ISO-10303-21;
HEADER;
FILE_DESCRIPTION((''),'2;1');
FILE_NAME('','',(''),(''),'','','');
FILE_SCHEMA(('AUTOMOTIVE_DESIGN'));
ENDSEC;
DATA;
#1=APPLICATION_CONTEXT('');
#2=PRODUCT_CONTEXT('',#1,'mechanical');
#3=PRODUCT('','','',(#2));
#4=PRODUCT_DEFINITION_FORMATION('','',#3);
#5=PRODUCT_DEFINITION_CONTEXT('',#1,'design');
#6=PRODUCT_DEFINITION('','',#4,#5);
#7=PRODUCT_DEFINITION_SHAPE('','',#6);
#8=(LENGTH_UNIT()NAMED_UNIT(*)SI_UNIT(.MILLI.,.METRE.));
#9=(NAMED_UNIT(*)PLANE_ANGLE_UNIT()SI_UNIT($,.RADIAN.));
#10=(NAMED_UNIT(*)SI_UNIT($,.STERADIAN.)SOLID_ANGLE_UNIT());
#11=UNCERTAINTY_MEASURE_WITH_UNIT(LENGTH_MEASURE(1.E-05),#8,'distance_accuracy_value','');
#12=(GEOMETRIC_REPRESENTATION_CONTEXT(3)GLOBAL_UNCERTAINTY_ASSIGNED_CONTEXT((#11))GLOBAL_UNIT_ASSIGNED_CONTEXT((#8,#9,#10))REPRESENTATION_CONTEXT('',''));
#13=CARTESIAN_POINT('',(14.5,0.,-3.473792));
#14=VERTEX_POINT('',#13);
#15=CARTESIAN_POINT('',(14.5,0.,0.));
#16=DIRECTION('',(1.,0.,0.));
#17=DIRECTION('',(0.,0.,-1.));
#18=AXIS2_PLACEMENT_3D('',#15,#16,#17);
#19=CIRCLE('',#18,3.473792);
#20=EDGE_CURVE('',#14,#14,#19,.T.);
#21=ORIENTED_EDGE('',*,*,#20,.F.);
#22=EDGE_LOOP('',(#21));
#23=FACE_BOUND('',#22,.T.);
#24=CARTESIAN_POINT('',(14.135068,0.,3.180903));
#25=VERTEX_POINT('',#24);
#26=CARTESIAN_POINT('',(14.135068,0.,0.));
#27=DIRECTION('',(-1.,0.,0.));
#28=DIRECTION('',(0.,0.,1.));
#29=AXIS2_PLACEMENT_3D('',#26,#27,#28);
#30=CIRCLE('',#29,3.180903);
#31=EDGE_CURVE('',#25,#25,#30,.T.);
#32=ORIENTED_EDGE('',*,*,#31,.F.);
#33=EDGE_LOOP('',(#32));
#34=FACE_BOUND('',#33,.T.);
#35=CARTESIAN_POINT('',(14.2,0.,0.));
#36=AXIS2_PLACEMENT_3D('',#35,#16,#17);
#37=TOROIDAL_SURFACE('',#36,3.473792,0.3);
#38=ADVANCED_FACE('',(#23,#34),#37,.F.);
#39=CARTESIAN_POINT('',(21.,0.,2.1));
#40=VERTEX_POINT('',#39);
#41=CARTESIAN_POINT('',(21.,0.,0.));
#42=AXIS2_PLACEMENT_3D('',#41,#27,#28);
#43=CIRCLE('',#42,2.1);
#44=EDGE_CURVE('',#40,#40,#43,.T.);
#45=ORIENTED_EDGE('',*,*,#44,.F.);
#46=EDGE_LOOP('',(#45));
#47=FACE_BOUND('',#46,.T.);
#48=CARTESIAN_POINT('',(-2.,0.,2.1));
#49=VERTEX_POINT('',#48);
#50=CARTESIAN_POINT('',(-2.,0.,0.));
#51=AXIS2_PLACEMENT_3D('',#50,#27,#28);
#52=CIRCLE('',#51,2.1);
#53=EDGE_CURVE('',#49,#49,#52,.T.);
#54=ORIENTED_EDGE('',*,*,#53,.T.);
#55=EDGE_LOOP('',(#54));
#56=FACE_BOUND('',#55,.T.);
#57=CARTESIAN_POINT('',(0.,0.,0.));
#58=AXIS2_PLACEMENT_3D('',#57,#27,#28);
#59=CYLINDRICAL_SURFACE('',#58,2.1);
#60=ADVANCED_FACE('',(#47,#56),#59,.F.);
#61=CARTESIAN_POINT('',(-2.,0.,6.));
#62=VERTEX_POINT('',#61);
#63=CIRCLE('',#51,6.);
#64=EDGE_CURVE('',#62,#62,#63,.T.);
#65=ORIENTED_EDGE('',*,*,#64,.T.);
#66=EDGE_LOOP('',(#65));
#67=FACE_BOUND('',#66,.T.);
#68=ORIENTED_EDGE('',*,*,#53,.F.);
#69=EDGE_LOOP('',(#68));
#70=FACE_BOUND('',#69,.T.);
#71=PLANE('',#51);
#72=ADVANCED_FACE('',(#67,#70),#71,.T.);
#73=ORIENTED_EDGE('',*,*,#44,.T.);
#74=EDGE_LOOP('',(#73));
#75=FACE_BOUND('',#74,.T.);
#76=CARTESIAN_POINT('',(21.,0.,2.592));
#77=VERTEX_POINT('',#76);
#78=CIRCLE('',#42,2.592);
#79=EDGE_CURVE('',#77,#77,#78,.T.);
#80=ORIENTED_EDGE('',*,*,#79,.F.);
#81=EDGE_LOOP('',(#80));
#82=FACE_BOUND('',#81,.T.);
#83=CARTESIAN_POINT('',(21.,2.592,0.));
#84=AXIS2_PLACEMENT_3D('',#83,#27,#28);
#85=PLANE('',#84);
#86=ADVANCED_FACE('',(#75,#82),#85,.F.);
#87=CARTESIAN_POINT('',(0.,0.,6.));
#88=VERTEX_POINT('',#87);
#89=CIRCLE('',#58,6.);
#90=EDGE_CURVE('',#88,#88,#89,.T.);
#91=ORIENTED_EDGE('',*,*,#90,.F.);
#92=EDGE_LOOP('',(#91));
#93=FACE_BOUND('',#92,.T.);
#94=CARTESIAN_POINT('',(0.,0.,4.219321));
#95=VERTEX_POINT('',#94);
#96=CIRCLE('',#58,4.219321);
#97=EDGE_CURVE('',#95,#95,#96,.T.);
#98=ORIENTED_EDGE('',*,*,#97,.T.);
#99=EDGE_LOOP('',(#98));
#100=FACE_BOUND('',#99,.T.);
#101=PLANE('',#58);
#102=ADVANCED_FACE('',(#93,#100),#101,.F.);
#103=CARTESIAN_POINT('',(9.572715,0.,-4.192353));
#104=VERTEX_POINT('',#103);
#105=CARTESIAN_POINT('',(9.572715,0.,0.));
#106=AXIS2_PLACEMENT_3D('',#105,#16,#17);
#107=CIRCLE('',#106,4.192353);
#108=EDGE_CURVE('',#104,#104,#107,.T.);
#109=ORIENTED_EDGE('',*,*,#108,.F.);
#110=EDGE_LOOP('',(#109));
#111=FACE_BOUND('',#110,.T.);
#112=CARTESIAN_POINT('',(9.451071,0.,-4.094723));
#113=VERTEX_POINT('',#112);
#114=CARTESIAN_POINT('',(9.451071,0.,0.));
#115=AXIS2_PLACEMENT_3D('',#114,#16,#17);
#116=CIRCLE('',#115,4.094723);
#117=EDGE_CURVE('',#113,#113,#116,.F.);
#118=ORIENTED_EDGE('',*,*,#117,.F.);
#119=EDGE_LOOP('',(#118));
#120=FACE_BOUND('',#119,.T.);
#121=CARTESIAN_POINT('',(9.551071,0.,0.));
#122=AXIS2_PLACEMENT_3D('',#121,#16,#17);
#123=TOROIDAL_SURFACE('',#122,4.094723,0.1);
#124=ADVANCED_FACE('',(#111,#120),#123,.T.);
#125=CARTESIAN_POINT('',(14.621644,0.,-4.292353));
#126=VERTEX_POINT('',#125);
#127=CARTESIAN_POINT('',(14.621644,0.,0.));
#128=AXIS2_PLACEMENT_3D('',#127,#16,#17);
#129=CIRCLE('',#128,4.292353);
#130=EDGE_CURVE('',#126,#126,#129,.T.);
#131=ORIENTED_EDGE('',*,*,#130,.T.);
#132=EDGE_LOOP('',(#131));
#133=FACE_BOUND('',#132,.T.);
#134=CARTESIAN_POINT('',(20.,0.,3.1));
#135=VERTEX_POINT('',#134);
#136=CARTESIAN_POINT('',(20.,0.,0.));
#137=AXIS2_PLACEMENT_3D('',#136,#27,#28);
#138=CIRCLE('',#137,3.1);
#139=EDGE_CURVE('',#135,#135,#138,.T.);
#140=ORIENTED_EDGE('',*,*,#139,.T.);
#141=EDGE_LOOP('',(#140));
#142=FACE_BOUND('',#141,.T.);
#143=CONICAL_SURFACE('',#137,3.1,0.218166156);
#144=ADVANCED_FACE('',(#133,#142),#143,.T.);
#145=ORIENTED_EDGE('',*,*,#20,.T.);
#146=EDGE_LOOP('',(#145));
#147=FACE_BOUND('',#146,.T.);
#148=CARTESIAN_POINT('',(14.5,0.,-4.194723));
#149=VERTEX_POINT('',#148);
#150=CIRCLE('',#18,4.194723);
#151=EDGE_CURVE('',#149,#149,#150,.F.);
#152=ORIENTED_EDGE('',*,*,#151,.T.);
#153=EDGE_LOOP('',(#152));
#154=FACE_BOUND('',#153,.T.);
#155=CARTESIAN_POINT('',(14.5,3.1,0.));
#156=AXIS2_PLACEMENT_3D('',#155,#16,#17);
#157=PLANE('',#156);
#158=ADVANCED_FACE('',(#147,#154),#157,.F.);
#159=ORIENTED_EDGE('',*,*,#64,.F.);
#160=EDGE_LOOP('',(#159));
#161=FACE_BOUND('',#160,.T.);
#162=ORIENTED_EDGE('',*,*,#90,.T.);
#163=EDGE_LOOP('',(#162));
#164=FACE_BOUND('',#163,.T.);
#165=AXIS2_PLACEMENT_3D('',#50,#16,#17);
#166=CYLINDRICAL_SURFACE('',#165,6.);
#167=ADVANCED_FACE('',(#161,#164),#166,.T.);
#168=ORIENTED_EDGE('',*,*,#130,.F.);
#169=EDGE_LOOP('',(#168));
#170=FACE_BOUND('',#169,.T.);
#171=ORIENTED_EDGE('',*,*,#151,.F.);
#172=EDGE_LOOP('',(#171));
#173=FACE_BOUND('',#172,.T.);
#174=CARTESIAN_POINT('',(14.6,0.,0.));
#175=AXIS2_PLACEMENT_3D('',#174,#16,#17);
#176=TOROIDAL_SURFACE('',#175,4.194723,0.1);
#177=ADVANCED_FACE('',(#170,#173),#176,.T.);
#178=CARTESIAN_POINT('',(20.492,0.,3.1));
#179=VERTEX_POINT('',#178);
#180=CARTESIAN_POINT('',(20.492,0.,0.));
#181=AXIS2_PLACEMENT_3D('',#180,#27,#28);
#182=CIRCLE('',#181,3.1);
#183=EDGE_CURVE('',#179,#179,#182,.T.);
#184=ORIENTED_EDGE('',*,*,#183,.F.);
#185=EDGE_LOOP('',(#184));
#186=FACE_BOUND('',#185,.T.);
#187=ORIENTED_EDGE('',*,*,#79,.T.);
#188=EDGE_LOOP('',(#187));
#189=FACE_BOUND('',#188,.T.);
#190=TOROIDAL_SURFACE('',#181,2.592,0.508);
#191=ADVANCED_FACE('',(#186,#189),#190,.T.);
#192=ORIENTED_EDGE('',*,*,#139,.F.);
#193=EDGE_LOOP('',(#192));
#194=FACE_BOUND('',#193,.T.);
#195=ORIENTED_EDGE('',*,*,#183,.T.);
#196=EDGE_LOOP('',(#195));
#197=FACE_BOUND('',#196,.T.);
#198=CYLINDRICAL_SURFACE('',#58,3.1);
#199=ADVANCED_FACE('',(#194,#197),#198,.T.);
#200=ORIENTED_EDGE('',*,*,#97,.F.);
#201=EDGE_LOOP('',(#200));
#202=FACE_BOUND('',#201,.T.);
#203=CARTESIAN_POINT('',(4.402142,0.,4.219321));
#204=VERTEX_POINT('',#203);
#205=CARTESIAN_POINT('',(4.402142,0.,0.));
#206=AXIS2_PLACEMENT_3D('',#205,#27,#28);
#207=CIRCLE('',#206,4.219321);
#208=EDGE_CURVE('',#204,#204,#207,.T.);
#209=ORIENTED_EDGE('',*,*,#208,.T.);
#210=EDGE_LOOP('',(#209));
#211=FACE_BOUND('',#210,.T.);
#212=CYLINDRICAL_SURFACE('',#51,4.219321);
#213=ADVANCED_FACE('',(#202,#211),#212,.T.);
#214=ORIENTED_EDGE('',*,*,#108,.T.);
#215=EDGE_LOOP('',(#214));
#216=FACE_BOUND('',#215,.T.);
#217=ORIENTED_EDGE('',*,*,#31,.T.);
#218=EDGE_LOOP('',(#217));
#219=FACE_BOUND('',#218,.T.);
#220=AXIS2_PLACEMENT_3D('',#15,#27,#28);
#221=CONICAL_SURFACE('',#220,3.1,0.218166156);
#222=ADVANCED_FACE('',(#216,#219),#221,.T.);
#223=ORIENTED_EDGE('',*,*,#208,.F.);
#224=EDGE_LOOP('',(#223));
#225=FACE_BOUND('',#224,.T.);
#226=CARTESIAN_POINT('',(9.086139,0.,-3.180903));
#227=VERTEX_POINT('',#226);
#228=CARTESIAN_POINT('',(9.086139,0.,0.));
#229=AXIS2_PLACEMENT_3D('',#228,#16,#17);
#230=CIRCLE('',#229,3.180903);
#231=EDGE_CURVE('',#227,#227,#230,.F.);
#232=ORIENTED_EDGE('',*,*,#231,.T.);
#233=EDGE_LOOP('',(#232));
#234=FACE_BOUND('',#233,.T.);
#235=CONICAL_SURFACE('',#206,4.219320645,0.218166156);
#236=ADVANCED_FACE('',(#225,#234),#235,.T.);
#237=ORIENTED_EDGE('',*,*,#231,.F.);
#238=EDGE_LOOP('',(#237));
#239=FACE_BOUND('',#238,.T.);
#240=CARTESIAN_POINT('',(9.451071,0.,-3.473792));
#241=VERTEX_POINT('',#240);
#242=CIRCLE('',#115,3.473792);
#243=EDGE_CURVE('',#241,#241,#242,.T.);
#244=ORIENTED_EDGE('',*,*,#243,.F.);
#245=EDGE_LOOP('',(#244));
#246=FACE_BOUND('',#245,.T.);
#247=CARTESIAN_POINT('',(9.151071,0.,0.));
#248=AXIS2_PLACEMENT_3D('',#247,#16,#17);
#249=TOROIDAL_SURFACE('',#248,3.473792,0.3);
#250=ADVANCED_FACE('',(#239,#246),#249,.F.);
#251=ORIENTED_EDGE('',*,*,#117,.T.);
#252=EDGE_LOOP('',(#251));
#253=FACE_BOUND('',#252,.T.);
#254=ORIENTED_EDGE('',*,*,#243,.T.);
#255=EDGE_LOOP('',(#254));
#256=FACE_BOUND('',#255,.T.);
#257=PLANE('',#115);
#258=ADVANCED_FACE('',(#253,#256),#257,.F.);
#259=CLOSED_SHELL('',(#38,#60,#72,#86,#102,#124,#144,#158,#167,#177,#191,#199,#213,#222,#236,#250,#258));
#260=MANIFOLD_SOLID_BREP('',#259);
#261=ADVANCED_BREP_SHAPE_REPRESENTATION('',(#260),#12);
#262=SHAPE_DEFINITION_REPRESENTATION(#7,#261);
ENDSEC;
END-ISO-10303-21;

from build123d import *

# Parameters (mm, degrees)
SKETCH2_R           = 6
SKETCH2_R_2         = 2.1
BOSS_EXTRUDE1_DEPTH = 2
FILLET1_R           = 0.1
FILLET2_R           = 0.3


with BuildPart() as part:
    # Sketch1 → Revolve2 (revolve)
    with BuildSketch(Plane.XY, mode=Mode.PRIVATE) as revolve2_sk:
        with BuildLine():
            Line((0, 2.1), (8.384411392, 2.1))
            Line((8.384411392, 2.1), (21, 2.1))
            Line((21, 2.1), (21, 2.592))
            ThreePointArc((21, 2.592), (20.851210245, 2.951210245), (20.492, 3.1))
            Line((20.492, 3.1), (20, 3.1))
            Line((20, 3.1), (14.5, 4.319320645))
            Line((14.5, 4.319320645), (14.5, 3.1))
            Line((14.5, 3.1), (0, 3.1))
            Line((0, 3.1), (0, 2.1))
        make_face()
    revolve(revolve2_sk.sketch.rotate(Axis((0, 0, 0), (1, 0, 0)), 90), axis=Axis((0, 0, 0), (1, 0, 0)))

    # Sketch2 → Boss-Extrude1 (add)
    with BuildSketch(Plane.ZY):
        Circle(SKETCH2_R)
        Circle(SKETCH2_R_2, mode=Mode.SUBTRACT)
    extrude(amount=BOSS_EXTRUDE1_DEPTH)

    # Sketch3 → Revolve3 (revolve)
    with BuildSketch(Plane.XY, mode=Mode.PRIVATE) as revolve3_sk:
        Polygon((4.402141701, 4.219320645), (9.45107085, 3.1), (0, 3.1), (0, 4.219320645), align=None)
        Polygon((9.45107085, 4.219320645), (9.45107085, 3.1), (14.5, 3.1), align=None)
    revolve(revolve3_sk.sketch.rotate(Axis((-2, 0, 0), (1, 0, 0)), 90), axis=Axis((-2, 0, 0), (1, 0, 0)))

    # Fillet1
    fillet1_edges = [part.edges().sort_by_distance(p)[0] for p in [
        (9.45107085, 0, -4.219320645),
        (14.5, 0, -4.319320645),
    ]]
    fillet(fillet1_edges, radius=FILLET1_R)

    # Fillet2
    fillet2_edges = [part.edges().sort_by_distance(p)[0] for p in [
        (9.45107085, 0, -3.1),
        (14.5, 0, -3.1),
    ]]
    fillet(fillet2_edges, radius=FILLET2_R)


solid = part.part
